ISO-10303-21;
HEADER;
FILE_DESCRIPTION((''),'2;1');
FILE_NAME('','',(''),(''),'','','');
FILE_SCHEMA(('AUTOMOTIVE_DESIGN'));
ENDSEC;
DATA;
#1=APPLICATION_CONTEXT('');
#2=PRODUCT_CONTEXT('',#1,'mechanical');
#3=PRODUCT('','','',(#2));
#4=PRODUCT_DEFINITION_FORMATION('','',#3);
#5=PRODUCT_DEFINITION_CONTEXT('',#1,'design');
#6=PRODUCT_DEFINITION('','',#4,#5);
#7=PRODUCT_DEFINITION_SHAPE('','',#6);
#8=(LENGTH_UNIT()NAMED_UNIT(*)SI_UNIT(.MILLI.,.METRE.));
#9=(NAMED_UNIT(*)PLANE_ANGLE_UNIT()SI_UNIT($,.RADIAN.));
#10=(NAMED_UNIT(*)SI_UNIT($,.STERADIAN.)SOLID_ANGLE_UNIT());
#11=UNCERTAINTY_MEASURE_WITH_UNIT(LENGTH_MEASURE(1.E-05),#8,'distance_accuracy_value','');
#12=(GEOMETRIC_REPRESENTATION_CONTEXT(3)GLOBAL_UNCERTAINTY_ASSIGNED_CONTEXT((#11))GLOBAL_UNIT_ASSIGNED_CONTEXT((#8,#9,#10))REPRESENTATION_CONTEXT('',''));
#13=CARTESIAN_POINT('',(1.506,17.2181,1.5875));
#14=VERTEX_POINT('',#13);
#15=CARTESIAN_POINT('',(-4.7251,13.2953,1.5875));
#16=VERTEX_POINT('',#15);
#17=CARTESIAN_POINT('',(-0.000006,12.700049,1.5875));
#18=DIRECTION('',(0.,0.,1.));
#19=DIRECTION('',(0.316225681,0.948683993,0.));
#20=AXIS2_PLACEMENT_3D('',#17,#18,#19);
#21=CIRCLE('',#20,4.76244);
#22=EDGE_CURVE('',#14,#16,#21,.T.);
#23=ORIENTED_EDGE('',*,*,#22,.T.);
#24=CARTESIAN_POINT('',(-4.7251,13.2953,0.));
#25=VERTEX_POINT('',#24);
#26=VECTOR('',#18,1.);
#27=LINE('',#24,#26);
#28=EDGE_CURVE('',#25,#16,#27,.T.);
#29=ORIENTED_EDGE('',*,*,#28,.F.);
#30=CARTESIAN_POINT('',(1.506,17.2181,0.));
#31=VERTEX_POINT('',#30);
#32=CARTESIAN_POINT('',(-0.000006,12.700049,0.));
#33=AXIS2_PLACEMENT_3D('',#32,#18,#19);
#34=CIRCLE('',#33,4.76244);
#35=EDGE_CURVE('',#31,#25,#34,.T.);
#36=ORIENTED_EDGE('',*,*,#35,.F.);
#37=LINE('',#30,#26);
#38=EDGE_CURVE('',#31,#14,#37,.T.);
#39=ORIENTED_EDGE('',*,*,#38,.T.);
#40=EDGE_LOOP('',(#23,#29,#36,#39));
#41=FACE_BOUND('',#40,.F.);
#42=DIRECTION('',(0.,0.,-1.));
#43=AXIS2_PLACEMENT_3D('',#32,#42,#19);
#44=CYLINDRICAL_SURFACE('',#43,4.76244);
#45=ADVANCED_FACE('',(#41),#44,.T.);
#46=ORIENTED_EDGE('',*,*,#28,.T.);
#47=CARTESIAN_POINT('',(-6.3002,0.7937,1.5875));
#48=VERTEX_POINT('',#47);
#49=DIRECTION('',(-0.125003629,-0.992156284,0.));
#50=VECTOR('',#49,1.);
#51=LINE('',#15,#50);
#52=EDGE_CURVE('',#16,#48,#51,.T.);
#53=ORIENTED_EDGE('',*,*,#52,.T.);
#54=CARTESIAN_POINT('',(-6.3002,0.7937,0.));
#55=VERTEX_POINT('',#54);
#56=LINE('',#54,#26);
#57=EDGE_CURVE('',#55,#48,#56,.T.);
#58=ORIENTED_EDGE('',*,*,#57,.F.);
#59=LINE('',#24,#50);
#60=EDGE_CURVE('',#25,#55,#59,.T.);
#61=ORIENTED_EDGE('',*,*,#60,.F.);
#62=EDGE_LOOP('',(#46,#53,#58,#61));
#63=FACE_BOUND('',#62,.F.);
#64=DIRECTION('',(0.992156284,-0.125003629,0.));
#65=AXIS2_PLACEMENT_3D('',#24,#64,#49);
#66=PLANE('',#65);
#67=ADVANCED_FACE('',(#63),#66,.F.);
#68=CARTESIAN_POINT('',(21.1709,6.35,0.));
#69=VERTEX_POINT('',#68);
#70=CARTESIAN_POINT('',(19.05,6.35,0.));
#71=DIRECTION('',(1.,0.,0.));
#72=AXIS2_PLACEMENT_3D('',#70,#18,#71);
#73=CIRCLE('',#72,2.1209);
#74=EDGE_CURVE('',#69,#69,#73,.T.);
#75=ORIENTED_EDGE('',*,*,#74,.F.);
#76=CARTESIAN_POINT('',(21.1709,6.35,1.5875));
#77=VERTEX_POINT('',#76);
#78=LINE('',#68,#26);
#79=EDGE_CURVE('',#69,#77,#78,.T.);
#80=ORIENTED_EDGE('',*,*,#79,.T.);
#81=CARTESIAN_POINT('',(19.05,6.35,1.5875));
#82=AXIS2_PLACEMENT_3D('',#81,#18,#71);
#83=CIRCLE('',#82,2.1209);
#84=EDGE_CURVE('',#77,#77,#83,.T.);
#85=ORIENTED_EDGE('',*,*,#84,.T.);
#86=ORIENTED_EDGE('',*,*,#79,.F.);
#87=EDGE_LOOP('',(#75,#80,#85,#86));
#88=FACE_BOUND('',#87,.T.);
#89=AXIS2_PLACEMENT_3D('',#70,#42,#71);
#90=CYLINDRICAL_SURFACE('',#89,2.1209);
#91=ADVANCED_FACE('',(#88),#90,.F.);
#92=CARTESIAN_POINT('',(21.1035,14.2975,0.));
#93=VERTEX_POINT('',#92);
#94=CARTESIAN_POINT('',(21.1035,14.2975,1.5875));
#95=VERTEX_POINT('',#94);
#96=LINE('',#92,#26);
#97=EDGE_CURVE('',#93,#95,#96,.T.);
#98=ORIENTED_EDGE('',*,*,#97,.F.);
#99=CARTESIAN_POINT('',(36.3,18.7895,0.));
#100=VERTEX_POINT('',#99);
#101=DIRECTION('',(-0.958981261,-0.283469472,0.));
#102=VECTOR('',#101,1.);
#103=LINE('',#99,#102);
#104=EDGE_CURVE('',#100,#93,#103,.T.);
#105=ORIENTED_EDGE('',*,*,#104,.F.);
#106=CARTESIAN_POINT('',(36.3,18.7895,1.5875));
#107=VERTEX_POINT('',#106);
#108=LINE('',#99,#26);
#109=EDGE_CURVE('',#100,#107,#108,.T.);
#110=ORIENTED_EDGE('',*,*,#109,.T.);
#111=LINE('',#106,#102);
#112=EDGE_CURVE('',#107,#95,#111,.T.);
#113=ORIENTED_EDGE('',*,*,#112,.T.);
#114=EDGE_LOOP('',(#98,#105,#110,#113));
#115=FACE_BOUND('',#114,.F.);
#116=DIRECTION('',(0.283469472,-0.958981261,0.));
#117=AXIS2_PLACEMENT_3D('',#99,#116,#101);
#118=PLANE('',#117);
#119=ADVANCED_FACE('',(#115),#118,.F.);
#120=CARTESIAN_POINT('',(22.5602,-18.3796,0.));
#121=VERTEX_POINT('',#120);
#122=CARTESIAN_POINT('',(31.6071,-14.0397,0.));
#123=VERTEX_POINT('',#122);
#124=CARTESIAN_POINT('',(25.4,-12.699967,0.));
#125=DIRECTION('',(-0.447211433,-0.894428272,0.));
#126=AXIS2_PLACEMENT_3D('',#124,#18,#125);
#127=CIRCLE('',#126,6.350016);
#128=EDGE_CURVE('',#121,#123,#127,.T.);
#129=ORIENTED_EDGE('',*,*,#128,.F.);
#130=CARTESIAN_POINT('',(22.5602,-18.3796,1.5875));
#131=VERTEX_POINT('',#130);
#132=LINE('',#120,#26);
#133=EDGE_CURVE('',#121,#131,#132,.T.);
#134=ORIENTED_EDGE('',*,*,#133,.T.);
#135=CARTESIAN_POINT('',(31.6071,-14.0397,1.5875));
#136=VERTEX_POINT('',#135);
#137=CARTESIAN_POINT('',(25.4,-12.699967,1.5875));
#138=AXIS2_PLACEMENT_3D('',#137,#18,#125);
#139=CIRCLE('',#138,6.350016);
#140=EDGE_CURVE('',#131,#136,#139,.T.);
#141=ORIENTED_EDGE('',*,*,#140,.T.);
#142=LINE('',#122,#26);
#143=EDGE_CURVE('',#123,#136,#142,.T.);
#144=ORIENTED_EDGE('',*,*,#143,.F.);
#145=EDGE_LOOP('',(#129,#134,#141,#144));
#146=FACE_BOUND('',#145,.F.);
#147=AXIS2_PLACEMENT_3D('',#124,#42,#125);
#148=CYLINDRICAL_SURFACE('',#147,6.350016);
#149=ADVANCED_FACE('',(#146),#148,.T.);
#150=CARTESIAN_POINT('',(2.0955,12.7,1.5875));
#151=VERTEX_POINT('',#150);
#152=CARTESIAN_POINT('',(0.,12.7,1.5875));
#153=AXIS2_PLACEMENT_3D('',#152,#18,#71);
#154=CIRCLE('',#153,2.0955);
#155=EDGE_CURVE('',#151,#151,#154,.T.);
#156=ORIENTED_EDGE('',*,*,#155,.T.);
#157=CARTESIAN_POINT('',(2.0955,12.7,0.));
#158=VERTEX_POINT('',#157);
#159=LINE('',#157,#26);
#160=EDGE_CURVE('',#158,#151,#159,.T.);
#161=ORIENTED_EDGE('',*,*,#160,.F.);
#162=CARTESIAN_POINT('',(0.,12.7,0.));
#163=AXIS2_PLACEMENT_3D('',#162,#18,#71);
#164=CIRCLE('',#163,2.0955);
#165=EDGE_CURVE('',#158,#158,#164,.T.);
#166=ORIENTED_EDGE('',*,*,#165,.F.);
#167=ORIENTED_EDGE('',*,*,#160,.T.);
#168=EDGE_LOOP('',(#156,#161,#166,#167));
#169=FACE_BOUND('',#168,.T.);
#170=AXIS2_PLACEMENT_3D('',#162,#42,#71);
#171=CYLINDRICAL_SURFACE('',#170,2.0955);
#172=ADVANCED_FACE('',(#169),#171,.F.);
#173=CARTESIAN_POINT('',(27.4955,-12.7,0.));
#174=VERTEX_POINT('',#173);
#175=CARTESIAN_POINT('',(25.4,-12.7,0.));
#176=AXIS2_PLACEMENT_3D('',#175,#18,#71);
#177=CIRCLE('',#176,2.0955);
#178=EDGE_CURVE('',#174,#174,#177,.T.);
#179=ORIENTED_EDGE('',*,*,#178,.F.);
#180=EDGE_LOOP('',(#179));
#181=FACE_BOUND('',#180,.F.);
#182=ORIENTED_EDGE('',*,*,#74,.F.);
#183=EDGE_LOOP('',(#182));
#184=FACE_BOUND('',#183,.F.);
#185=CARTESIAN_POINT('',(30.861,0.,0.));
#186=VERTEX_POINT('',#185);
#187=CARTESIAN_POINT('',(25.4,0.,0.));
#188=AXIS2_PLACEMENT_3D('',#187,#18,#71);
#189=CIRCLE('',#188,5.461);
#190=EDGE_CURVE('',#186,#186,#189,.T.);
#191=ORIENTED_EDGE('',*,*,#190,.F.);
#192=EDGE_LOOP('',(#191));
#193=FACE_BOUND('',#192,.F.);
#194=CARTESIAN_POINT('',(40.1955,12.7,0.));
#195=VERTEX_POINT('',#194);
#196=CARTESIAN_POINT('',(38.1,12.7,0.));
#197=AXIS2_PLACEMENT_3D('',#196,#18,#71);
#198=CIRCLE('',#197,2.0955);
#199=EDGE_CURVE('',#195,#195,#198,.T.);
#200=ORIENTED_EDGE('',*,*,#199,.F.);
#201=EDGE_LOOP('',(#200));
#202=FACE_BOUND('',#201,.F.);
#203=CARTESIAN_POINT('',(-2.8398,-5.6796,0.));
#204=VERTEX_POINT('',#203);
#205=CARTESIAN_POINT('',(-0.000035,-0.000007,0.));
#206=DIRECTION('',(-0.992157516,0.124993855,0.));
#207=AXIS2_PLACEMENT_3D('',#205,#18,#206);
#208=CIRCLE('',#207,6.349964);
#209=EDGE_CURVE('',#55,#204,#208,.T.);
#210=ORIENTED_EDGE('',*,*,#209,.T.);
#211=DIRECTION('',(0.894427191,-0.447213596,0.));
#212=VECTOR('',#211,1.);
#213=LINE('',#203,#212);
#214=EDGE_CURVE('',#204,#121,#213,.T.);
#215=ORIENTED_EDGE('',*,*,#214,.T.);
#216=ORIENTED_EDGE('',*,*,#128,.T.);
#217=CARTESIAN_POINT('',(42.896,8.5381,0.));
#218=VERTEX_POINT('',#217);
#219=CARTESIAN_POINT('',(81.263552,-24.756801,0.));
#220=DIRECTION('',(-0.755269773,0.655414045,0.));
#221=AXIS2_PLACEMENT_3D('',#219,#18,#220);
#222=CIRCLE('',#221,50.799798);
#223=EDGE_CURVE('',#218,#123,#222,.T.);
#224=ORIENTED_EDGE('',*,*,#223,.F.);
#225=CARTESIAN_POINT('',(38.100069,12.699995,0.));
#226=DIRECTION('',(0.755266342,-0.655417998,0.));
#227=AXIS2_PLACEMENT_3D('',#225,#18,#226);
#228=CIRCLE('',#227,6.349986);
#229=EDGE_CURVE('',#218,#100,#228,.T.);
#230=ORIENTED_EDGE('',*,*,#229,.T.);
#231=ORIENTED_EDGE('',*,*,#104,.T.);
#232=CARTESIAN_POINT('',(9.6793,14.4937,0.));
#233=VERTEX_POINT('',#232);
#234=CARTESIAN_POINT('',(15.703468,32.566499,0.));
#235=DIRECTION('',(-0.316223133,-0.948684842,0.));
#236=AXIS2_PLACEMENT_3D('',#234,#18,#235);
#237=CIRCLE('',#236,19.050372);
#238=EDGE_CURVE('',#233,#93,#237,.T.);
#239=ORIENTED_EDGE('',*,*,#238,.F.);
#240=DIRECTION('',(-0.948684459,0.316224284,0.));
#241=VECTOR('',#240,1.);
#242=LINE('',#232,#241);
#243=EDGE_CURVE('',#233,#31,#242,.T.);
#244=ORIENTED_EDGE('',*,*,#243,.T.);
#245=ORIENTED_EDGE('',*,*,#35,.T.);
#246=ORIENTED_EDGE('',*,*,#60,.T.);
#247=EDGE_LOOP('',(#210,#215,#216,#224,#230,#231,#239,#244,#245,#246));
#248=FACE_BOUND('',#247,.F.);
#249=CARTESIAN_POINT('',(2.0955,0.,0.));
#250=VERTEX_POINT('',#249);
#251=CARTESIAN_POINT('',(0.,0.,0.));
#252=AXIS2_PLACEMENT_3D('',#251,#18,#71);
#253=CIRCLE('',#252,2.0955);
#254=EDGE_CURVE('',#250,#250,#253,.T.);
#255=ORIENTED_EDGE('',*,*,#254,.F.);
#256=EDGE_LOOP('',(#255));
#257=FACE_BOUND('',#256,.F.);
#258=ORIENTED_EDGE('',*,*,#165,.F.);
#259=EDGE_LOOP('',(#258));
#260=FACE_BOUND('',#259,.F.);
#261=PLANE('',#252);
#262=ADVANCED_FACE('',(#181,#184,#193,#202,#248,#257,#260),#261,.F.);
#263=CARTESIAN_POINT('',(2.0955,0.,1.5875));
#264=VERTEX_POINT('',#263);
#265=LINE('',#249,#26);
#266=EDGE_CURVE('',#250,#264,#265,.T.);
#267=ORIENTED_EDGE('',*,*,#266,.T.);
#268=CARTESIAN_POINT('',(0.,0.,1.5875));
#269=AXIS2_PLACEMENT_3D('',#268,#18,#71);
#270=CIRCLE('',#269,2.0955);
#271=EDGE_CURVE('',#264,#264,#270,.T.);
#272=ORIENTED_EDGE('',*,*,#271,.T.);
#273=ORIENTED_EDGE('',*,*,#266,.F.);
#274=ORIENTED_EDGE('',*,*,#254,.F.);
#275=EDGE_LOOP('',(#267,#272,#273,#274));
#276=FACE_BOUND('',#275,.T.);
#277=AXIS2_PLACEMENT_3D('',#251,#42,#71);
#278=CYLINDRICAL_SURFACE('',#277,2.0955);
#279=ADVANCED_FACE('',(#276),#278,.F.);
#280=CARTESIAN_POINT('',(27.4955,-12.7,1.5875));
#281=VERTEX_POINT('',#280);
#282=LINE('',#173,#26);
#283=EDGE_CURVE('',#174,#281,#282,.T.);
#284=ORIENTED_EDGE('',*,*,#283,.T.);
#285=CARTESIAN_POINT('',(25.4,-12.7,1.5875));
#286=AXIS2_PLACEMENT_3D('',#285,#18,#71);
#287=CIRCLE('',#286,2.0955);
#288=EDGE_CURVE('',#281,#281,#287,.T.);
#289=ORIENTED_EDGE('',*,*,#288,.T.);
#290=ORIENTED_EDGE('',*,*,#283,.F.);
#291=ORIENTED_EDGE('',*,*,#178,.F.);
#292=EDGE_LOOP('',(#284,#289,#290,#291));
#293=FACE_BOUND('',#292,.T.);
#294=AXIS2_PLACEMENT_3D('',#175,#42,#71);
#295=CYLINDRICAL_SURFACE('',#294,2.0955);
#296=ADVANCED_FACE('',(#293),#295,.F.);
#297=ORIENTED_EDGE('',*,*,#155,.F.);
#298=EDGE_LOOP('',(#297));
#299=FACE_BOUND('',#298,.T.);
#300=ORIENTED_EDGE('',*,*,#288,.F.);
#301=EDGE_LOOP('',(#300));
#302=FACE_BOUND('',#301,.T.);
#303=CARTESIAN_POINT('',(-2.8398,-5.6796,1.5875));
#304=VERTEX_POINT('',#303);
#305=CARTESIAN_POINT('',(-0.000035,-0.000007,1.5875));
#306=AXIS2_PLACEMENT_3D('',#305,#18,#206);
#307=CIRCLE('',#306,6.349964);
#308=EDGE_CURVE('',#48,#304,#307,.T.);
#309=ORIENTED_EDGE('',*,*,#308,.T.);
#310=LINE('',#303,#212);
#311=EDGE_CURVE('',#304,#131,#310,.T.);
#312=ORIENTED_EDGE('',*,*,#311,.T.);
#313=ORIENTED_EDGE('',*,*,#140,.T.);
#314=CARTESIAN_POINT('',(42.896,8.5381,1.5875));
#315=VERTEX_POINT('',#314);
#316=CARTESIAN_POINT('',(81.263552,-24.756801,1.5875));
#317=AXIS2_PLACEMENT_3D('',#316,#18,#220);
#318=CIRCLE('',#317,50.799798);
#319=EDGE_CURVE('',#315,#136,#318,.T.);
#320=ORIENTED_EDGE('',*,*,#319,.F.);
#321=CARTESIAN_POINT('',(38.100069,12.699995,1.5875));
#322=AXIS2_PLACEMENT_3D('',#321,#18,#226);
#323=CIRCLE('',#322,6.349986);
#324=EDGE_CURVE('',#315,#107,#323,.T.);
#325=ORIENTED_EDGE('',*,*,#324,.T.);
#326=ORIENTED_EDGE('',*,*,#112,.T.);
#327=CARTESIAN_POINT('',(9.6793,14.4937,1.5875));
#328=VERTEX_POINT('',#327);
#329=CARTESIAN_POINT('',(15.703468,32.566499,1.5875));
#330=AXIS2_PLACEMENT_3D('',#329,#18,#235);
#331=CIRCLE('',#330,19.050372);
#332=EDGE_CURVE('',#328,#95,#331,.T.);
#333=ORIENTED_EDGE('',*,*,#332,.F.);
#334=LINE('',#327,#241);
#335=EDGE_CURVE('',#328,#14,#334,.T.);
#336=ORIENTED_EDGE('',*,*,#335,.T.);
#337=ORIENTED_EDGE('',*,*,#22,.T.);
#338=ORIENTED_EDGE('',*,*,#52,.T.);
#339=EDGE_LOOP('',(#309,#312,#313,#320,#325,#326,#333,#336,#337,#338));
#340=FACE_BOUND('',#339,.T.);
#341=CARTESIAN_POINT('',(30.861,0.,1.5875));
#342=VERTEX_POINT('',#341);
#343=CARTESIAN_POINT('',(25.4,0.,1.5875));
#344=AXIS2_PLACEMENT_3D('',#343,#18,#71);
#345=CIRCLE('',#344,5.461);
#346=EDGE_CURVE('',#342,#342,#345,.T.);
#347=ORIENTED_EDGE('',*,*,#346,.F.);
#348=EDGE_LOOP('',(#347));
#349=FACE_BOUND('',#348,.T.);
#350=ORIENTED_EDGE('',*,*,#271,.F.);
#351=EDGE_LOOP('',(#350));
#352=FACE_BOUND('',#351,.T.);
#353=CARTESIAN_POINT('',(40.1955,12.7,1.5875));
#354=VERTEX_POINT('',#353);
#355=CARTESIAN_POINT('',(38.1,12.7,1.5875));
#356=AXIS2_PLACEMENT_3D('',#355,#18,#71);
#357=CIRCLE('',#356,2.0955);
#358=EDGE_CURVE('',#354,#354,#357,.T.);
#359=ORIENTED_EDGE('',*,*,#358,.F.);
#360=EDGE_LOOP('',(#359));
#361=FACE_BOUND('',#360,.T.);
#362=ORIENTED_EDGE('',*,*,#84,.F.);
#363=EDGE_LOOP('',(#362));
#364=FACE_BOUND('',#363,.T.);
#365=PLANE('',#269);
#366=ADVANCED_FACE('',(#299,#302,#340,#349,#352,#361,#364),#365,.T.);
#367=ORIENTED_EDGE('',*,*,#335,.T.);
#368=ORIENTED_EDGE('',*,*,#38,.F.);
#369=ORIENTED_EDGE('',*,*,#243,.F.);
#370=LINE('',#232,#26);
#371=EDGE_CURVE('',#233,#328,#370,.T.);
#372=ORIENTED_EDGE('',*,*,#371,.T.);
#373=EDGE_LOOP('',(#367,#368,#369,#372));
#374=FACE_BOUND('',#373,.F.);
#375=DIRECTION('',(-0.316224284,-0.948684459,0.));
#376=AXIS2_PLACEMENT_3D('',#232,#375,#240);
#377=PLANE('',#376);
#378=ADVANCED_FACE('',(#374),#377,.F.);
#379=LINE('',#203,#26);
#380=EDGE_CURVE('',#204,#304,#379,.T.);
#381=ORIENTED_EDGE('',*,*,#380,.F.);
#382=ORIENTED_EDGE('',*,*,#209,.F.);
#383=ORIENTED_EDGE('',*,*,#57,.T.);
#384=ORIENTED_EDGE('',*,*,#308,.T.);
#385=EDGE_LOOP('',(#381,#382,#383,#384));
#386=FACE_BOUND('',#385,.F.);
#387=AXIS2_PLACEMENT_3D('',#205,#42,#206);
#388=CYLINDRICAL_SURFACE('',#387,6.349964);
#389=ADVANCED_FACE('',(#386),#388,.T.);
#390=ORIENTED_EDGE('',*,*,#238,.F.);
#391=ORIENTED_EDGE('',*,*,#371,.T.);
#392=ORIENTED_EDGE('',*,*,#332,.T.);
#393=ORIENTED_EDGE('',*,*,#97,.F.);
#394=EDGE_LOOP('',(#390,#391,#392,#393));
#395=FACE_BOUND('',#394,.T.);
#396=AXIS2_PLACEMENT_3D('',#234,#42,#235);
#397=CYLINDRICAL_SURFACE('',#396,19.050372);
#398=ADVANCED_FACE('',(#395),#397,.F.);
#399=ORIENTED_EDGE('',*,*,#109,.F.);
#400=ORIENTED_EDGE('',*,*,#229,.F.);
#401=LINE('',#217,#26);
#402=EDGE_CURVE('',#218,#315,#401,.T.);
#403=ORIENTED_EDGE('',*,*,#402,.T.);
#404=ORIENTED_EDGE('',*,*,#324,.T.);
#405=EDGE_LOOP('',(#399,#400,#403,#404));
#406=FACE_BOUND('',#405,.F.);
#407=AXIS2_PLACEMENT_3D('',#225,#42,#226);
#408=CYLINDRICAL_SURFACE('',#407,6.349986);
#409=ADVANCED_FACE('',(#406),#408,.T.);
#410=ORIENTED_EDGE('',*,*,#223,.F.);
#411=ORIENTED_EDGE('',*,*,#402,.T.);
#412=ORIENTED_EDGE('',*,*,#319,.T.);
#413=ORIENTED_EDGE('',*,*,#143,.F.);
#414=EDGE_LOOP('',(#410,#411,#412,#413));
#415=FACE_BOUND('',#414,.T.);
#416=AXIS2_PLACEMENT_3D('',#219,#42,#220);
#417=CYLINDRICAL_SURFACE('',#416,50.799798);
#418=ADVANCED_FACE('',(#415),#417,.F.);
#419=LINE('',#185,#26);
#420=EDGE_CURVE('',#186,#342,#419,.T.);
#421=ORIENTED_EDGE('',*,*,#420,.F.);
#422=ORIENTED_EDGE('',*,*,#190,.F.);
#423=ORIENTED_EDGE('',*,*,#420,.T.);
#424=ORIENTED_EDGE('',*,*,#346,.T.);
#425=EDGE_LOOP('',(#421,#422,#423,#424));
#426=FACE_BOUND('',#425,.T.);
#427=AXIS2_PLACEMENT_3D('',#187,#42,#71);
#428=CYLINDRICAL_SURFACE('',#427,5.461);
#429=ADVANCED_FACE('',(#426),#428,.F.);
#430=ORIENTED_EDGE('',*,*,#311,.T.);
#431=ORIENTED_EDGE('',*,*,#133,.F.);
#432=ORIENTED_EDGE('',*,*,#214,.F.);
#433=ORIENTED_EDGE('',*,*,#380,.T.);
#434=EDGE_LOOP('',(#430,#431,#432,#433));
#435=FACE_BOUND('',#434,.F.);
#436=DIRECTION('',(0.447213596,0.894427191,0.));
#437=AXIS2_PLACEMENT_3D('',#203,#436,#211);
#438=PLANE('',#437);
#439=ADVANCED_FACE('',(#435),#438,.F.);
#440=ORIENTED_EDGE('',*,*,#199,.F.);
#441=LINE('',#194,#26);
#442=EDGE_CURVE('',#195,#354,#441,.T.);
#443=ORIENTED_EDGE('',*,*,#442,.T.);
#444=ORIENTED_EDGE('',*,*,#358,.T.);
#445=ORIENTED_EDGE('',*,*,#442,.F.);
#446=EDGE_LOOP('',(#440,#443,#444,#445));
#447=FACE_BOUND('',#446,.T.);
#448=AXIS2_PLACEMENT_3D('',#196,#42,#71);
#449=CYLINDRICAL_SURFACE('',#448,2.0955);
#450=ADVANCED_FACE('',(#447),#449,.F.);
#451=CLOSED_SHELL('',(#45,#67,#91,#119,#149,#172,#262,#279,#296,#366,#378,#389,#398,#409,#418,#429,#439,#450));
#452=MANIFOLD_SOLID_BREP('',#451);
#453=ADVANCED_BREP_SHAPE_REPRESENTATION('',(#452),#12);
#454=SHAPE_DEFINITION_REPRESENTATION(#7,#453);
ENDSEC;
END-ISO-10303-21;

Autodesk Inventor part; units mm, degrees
ref_plane "YZ Plane" through (0, 0, 0) normal (1, 0, 0) x (0, 1, 0)
ref_plane "XZ Plane" through (0, 0, 0) normal (0, 1, 0) x (-1, 0, 0)
ref_plane "XY Plane" through (0, 0, 0) normal (0, 0, 1) x (1, 0, 0)
sketch "Sketch1" plane through (0, 0, 0) normal (0, 0, 1) x (1, 0, 0)
  circle A0 centre (0, 0) radius 2.0955
  circle A1 centre (0, 12.7) radius 2.0955
  circle A2 centre (19.05, 6.35) radius 2.1209
  circle A3 centre (38.1, 12.7) radius 2.0955
  circle A4 centre (25.4, -12.7) radius 2.0955
  arc A5 (-6.3002, 0.7937) -> (-2.8398, -5.6796) centre (0, 0) ccw
  arc A6 (1.506, 17.2181) -> (-4.7251, 13.2953) centre (0, 12.7) ccw
  arc A7 (42.896, 8.5381) -> (36.3, 18.7895) centre (38.1, 12.7) ccw
  arc A8 (22.5602, -18.3796) -> (31.7002, -13.4938) centre (25.4, -12.7) ccw
  circle A9 centre (25.4, 0) radius 5.461
  line L0 (9.6793, 14.4937) -> (1.506, 17.2181)
  line L1 (36.3, 18.7895) -> (21.1035, 14.2975)
  arc A10 (9.6793, 14.4937) -> (21.1035, 14.2975) centre (15.7034, 32.5661) ccw
  arc A11 (42.896, 8.5381) -> (31.6071, -14.0397) centre (81.2637, -24.7569) ccw
  line L2 (-4.7251, 13.2953) -> (-6.3002, 0.7937)
  line L3 (-2.8398, -5.6796) -> (22.5602, -18.3796)
  point P0 (40.6465, 18.517)
  point P1 (44.45, 12.7)
  dimension "d0" = 4.191
  dimension "d1" = 4.191
  dimension "d2" = 4.2418
  dimension "d3" = 4.191
  dimension "d4" = 4.191
  dimension "d5" = 12.7
  dimension "d9" = 10.922
  dimension "d10" = 19.05
  dimension "d16" = 6.35
extrude "Extrusion1" add sketch "Sketch1" along normal blind 1.5875
equation "\"BendRadius\" = Thickness"
equation "\"BendReliefWidth\" = Thickness"
equation "\"BendReliefDepth\" = 0.5 * Thickness"
equation "\"CornerReliefSize\" = 4 * Thickness"
equation "\"MinimumRemnant\" = 2 * Thickness"
equation "\"TransitionRadius\" = BendRadius"
equation "\"JacobiRadiusSize\" = BendRadius"
equation "\"GapSize\" = Thickness"
equation "\"Thickness\" = 1.5875"
properties part number "gearbox_gusset" material "Acetal Resin, White"
